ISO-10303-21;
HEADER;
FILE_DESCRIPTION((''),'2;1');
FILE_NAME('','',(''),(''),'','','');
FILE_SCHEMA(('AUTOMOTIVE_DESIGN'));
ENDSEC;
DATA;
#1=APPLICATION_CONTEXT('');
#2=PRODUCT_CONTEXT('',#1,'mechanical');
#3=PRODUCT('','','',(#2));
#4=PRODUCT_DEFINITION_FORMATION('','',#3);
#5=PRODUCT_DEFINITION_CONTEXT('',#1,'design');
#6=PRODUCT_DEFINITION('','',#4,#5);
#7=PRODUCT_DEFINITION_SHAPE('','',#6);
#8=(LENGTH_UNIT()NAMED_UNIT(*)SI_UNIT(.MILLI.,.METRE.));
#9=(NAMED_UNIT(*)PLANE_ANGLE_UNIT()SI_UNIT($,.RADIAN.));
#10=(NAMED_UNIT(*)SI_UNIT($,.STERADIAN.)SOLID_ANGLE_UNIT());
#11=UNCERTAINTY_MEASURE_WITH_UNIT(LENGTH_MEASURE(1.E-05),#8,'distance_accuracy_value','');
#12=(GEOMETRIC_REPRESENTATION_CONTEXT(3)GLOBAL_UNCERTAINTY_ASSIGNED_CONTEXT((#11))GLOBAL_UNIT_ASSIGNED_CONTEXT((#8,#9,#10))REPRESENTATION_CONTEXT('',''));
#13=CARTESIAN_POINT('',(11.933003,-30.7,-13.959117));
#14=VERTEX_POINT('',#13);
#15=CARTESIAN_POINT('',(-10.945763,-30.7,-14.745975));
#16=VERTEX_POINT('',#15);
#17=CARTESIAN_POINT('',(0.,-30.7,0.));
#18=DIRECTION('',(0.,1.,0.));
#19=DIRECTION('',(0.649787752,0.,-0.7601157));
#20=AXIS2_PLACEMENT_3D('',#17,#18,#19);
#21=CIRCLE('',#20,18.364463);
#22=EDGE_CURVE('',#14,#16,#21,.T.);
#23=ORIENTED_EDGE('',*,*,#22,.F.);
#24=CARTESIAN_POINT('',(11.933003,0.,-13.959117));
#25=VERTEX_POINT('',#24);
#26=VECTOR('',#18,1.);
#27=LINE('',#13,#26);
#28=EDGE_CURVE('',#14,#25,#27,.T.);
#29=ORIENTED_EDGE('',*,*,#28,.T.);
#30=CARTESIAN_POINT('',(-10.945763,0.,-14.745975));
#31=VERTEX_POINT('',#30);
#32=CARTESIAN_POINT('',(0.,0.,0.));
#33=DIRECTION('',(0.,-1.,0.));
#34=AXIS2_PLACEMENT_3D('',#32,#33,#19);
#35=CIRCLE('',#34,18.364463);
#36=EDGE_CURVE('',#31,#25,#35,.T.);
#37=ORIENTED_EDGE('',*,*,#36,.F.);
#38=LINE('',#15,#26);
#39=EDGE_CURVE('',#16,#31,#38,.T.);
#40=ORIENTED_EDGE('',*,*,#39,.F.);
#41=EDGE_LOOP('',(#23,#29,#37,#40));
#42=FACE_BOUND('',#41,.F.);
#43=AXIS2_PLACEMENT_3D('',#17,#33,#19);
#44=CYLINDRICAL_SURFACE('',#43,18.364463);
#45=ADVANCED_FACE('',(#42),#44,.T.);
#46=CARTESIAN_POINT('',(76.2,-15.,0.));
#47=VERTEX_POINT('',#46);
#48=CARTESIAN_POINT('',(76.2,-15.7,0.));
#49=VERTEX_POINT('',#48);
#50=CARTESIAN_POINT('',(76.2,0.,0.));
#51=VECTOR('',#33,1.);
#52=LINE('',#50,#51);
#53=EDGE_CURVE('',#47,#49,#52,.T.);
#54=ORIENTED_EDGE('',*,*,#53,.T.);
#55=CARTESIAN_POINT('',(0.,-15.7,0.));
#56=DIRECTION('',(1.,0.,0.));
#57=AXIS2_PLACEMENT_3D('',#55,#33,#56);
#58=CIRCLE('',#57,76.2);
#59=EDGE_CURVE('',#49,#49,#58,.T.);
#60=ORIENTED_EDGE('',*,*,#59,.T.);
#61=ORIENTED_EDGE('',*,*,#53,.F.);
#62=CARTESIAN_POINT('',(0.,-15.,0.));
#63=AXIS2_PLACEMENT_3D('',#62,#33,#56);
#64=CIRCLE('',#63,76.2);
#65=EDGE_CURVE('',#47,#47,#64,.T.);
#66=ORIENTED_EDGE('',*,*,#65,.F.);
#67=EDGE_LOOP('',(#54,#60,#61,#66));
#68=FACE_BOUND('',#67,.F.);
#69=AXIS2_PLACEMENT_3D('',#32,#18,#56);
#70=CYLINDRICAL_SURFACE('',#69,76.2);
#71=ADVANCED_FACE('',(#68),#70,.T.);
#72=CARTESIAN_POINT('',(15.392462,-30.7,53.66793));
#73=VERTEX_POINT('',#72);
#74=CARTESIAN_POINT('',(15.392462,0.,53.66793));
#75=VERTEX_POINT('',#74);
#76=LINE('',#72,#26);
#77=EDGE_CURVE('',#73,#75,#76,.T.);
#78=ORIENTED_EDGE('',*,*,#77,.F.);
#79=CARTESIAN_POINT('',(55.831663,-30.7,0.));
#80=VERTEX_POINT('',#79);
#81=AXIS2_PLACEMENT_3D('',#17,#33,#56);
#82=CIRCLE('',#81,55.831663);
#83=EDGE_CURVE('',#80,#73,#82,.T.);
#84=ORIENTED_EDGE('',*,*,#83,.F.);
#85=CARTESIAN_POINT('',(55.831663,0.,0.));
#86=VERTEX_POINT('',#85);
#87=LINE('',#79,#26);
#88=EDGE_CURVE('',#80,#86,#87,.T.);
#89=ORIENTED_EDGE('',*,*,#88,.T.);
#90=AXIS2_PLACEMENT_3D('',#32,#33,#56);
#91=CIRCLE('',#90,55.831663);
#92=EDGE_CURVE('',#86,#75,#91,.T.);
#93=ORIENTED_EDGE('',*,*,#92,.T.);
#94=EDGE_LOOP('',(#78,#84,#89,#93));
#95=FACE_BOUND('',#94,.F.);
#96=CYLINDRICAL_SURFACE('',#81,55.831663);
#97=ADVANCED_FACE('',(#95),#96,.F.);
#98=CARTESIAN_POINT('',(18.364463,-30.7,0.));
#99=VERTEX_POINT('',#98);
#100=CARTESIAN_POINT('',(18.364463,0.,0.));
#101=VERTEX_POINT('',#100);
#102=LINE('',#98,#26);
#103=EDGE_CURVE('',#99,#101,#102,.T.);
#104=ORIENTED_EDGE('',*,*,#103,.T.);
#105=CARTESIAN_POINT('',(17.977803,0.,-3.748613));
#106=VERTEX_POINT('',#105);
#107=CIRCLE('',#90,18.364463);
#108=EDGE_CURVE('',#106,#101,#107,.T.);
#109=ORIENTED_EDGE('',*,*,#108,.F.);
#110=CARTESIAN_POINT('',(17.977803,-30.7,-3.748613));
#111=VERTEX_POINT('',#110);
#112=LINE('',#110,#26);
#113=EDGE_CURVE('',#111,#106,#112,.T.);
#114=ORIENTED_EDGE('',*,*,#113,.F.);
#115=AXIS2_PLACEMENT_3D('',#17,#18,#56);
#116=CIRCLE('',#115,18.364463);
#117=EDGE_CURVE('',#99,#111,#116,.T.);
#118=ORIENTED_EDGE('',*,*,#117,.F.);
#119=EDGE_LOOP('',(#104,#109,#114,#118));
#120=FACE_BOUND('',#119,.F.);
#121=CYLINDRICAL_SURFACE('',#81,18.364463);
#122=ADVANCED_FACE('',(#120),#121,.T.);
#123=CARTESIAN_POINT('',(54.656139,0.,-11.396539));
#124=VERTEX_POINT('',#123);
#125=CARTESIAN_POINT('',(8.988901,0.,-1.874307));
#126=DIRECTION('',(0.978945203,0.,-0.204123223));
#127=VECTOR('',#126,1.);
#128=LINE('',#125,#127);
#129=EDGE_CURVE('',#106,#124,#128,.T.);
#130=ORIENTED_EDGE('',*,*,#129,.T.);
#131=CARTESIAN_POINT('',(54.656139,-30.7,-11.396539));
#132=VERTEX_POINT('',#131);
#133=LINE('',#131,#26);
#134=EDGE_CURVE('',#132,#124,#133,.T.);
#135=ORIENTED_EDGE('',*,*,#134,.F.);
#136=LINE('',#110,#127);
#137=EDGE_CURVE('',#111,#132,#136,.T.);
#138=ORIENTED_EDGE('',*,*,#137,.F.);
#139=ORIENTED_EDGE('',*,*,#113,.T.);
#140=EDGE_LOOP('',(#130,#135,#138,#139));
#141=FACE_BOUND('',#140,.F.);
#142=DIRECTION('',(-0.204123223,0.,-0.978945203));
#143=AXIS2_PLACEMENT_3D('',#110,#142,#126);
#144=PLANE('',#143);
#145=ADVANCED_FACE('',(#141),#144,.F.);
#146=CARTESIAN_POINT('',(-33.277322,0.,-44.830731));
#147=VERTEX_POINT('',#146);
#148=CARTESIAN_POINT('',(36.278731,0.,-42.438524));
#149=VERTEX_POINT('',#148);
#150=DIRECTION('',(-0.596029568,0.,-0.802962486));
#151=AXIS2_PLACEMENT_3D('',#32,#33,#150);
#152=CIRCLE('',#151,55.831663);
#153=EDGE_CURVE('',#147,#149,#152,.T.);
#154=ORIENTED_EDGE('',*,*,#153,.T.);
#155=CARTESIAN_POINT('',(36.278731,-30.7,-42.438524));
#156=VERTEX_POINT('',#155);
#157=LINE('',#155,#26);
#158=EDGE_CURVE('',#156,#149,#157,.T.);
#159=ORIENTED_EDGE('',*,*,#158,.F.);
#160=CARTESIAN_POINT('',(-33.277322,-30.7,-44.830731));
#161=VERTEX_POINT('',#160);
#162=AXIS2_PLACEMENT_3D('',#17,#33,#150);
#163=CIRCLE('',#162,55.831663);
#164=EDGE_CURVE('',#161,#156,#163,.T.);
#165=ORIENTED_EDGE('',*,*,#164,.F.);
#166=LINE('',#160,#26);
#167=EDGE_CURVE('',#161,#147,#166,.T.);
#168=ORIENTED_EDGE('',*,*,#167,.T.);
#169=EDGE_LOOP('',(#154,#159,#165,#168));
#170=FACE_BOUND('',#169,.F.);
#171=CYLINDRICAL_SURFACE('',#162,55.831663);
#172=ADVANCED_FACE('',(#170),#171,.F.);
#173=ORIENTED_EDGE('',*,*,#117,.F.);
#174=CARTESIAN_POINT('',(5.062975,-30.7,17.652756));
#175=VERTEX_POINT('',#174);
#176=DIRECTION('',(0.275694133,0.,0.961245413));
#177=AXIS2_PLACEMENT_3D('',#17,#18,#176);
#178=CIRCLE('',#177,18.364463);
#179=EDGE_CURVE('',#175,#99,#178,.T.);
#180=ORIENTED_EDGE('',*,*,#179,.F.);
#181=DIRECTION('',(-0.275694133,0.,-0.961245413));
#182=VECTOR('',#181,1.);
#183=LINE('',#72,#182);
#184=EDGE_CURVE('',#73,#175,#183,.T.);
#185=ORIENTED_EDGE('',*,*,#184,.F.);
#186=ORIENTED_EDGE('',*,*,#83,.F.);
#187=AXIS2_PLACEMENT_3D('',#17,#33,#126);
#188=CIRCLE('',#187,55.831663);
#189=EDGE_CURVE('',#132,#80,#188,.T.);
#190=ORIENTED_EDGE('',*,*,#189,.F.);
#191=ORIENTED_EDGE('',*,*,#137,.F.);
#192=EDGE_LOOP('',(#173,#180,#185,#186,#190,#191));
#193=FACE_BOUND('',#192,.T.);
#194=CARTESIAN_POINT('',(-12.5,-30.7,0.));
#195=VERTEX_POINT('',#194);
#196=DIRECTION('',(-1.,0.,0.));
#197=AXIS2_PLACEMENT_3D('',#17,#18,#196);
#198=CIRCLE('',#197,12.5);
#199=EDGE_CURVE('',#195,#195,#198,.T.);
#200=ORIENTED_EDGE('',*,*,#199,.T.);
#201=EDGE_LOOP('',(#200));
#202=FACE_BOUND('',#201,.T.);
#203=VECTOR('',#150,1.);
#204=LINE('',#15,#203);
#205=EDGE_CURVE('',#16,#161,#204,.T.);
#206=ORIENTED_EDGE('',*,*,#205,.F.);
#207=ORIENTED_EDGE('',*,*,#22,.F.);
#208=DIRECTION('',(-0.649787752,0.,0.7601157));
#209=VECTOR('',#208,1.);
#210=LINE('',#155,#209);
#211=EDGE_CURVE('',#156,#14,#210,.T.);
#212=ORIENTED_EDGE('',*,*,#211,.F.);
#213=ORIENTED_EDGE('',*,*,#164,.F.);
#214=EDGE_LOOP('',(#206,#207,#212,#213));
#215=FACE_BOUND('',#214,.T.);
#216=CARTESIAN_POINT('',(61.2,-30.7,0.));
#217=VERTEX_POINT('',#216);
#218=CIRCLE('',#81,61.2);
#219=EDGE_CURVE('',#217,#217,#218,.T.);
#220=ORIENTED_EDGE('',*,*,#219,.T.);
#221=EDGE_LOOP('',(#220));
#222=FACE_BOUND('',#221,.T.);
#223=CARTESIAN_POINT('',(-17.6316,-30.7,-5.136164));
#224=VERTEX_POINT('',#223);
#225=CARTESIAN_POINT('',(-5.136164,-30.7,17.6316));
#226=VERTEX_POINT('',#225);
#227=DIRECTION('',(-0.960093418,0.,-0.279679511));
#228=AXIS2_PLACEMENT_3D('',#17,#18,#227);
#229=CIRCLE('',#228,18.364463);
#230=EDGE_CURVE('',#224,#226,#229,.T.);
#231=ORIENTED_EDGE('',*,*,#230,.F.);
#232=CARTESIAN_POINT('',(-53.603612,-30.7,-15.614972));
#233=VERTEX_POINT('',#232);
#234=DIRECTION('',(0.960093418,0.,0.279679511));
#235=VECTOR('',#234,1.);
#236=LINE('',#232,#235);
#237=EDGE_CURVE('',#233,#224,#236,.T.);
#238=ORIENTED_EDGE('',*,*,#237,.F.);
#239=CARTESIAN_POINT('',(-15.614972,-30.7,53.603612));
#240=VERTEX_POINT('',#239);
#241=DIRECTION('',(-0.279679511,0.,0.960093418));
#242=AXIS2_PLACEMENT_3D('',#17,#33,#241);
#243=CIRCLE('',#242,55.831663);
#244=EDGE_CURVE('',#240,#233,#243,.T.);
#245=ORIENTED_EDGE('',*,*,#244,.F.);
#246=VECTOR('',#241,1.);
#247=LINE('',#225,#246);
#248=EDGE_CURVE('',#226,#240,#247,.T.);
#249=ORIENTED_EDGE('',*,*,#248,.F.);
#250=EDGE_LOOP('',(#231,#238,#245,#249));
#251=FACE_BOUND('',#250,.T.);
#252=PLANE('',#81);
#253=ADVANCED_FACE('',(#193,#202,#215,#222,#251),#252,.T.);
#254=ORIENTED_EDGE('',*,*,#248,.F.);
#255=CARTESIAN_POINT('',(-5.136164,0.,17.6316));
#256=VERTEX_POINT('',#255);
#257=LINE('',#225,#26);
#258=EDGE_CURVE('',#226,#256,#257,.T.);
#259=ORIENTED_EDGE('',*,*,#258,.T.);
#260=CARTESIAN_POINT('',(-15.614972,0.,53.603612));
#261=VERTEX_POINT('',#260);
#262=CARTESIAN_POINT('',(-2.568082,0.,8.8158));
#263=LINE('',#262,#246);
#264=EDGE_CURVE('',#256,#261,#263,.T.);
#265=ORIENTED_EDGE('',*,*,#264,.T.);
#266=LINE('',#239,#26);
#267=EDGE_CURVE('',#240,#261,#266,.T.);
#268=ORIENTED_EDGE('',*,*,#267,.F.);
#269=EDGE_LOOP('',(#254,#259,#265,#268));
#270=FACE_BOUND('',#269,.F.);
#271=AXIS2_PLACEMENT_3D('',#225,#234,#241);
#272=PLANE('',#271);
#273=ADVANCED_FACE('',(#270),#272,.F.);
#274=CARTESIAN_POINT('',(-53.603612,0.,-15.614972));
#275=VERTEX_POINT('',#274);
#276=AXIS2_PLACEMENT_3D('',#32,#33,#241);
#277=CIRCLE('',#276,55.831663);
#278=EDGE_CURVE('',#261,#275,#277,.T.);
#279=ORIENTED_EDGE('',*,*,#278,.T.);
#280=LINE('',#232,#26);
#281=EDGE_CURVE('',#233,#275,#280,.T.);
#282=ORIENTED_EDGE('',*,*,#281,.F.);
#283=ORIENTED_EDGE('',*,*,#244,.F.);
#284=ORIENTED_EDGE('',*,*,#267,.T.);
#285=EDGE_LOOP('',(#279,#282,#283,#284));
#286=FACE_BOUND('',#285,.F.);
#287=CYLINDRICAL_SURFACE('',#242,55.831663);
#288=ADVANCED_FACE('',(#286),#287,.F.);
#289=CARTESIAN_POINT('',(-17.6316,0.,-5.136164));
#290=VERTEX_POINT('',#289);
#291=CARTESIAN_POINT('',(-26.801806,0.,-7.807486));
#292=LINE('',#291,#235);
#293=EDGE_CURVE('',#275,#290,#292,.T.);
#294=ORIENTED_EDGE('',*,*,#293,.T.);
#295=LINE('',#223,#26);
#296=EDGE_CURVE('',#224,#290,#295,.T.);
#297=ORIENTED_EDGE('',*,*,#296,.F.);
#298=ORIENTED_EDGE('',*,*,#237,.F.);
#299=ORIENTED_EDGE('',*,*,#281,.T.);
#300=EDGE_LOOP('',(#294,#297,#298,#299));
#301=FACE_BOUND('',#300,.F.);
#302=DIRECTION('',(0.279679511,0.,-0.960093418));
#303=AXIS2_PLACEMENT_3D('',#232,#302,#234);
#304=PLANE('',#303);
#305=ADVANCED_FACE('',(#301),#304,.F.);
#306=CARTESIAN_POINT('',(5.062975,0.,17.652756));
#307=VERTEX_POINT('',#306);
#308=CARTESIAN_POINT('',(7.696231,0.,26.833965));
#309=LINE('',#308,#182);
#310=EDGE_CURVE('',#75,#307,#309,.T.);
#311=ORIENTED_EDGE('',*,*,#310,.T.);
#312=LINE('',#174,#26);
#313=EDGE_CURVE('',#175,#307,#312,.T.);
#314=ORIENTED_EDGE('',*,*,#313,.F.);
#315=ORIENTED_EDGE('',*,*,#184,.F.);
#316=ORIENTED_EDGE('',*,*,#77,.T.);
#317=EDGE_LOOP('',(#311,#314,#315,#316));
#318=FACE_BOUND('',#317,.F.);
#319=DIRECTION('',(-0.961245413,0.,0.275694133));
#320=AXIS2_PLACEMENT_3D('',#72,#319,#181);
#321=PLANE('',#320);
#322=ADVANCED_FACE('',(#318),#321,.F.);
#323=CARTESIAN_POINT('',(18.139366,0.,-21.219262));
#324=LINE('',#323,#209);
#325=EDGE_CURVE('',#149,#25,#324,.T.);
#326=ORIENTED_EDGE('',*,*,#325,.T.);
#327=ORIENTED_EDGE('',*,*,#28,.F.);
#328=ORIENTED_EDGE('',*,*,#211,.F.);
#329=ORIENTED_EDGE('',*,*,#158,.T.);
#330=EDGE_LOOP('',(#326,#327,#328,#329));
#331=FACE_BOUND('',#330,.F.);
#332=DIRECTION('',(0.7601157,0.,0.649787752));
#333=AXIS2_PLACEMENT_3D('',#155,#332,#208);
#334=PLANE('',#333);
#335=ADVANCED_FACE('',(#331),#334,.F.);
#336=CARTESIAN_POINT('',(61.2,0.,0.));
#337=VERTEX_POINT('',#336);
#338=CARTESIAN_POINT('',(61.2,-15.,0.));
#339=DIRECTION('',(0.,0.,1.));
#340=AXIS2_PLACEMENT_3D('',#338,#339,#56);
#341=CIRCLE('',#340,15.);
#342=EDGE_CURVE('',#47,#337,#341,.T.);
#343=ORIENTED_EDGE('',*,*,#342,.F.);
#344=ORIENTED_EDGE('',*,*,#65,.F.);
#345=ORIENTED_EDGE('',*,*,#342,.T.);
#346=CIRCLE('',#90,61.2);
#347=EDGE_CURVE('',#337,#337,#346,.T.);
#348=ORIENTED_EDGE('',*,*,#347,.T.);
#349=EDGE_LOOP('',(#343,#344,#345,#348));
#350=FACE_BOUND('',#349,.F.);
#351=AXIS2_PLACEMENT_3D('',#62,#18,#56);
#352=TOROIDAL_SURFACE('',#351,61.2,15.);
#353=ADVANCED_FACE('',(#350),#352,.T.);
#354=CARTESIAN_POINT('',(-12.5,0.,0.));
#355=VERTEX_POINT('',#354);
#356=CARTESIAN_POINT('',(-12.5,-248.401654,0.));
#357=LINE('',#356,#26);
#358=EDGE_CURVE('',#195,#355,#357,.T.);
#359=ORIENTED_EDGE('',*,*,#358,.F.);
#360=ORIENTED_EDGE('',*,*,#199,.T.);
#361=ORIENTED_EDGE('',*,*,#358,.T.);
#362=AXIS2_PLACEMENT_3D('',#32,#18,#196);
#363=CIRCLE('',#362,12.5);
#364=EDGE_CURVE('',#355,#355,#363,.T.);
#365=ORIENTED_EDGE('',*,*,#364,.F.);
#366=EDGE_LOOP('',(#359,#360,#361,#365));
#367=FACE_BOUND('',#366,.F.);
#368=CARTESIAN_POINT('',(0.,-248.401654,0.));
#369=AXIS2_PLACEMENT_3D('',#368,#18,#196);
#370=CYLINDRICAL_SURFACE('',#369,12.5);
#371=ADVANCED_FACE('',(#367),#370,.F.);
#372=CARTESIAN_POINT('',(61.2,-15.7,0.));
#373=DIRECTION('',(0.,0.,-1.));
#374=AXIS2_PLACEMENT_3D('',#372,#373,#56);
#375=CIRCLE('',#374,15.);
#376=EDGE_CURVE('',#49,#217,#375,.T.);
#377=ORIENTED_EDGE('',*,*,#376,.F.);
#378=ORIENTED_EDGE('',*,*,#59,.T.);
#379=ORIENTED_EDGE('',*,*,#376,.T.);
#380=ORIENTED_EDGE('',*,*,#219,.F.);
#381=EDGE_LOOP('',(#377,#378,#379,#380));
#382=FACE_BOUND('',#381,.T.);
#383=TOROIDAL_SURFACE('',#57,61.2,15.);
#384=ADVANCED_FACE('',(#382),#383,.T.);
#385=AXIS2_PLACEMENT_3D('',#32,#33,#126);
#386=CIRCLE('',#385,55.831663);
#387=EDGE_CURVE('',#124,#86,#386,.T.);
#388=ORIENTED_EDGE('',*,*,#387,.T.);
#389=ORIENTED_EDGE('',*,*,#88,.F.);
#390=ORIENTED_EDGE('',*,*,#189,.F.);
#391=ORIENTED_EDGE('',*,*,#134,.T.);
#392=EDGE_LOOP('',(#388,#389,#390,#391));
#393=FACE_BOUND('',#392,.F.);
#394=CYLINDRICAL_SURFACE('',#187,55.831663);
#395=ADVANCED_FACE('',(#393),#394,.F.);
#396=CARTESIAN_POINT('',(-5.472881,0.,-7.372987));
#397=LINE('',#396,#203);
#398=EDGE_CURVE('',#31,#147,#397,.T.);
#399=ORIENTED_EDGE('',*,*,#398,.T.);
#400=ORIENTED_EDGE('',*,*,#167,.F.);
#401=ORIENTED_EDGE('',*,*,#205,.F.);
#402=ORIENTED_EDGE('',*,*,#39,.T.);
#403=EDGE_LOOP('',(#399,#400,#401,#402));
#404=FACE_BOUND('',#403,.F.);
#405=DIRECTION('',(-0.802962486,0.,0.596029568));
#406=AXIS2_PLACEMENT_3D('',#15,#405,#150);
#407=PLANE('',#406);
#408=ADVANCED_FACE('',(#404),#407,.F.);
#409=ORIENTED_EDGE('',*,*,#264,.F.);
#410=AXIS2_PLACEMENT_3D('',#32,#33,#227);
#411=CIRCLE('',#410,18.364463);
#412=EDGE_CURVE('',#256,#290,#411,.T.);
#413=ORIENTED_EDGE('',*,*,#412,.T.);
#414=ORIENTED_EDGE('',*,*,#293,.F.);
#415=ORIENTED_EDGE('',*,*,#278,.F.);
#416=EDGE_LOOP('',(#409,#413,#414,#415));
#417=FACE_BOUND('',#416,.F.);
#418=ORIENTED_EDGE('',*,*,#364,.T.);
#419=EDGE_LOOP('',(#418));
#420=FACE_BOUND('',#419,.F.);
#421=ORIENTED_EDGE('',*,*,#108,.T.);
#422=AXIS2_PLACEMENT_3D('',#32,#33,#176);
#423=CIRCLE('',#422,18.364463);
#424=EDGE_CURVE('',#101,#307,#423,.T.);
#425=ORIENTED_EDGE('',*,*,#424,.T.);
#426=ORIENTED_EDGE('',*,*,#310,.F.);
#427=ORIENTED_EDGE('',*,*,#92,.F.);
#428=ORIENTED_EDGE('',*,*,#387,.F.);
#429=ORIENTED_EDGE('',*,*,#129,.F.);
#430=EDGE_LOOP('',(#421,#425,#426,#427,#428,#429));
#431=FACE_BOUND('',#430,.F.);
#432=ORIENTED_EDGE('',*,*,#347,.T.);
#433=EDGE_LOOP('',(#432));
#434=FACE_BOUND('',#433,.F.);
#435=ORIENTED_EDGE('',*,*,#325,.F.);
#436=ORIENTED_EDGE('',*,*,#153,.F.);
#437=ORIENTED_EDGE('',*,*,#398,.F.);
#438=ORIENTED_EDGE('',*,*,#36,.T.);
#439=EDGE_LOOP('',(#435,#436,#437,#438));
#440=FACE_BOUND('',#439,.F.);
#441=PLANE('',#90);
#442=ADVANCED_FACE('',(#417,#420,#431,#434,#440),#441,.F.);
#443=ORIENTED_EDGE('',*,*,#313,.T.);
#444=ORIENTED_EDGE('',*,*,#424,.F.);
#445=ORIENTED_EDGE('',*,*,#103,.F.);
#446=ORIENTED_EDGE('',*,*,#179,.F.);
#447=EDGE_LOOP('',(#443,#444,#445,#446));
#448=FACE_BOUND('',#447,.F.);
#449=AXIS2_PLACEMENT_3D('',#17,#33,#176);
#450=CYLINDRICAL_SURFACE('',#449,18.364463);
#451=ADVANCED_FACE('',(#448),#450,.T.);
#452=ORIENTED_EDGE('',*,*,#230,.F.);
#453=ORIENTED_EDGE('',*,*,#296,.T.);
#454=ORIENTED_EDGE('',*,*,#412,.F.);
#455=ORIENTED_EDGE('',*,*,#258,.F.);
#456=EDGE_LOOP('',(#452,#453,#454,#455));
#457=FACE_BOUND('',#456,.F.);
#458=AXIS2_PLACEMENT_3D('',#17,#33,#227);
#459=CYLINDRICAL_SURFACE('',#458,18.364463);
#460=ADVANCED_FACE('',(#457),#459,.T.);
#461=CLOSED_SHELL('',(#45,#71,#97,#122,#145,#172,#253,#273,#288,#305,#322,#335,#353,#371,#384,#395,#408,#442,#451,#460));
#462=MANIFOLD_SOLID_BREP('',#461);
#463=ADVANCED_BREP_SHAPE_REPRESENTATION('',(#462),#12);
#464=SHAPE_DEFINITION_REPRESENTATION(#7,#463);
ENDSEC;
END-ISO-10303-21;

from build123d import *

# Parameters (mm, degrees)
F0_R     = 76.2
F1_DEPTH = 30.7
F3_D     = 25
F6_DEPTH = 50
F7_R     = 15


with BuildPart() as f1:
    # F0 (on Front) → F1 (new body)
    with BuildSketch(Plane.XZ):
        Circle(F0_R)
    extrude(amount=F1_DEPTH)

    # F3 (through all)
    with Locations(Plane.XZ.offset(30.7)):
        with Locations((0, 0)):
            Hole(F3_D / 2)

    # F5 (on face) → F6 (cut)
    with BuildSketch(Plane.XZ.offset(30.7)):
        with BuildLine():
            ThreePointArc((-17.6316000516, -5.1361640309), (-16.0992403752, 8.8356075441), (-5.1361640309, 17.6316000516))
            Line((-5.1361640309, 17.6316000516), (-15.6149722896, 53.6036124568))
            ThreePointArc((-15.6149722896, 53.6036124568), (-48.9449306583, 26.8620250703), (-53.6036124568, -15.6149722896))
            Line((-53.6036124568, -15.6149722896), (-17.6316000516, -5.1361640309))
        make_face()
        with BuildLine():
            Line((15.3924620258, 53.6679302825), (5.0629747103, 17.6527558306))
            ThreePointArc((5.0629747103, 17.6527558306), (14.6668386689, 11.0515765751), (18.3644630015, 0))
            ThreePointArc((18.3644630015, 0), (18.2675422338, -1.8842510628), (17.9778029541, -3.7486133808))
            Line((17.9778029541, -3.7486133808), (54.6561389523, -11.3965390732))
            ThreePointArc((54.6561389523, -11.3965390732), (55.5370046719, -5.7285024301), (55.8316633105, 0))
            ThreePointArc((55.8316633105, 0), (44.590141205, 33.5990168805), (15.3924620258, 53.6679302825))
        make_face()
        with BuildLine():
            Line((36.2787310037, -42.438523829), (11.9330031339, -13.9591166461))
            ThreePointArc((11.9330031339, -13.9591166461), (0.6312267901, -18.3536114722), (-10.9457629494, -14.7459748673))
            Line((-10.9457629494, -14.7459748673), (-33.277322164, -44.8307311742))
            ThreePointArc((-33.277322164, -44.8307311742), (1.9190564742, -55.7986724777), (36.2787310037, -42.438523829))
        make_face()
    extrude(amount=-F6_DEPTH, mode=Mode.SUBTRACT)

    # F7
    f7_edges = [f1.edges().sort_by_distance(p)[0] for p in [
        (-76.2, -30.7, 0),
        (76.2, -15.35, 0),
        (-76.2, 0, 0),
    ]]
    fillet(f7_edges, radius=F7_R)


solid = f1.part
